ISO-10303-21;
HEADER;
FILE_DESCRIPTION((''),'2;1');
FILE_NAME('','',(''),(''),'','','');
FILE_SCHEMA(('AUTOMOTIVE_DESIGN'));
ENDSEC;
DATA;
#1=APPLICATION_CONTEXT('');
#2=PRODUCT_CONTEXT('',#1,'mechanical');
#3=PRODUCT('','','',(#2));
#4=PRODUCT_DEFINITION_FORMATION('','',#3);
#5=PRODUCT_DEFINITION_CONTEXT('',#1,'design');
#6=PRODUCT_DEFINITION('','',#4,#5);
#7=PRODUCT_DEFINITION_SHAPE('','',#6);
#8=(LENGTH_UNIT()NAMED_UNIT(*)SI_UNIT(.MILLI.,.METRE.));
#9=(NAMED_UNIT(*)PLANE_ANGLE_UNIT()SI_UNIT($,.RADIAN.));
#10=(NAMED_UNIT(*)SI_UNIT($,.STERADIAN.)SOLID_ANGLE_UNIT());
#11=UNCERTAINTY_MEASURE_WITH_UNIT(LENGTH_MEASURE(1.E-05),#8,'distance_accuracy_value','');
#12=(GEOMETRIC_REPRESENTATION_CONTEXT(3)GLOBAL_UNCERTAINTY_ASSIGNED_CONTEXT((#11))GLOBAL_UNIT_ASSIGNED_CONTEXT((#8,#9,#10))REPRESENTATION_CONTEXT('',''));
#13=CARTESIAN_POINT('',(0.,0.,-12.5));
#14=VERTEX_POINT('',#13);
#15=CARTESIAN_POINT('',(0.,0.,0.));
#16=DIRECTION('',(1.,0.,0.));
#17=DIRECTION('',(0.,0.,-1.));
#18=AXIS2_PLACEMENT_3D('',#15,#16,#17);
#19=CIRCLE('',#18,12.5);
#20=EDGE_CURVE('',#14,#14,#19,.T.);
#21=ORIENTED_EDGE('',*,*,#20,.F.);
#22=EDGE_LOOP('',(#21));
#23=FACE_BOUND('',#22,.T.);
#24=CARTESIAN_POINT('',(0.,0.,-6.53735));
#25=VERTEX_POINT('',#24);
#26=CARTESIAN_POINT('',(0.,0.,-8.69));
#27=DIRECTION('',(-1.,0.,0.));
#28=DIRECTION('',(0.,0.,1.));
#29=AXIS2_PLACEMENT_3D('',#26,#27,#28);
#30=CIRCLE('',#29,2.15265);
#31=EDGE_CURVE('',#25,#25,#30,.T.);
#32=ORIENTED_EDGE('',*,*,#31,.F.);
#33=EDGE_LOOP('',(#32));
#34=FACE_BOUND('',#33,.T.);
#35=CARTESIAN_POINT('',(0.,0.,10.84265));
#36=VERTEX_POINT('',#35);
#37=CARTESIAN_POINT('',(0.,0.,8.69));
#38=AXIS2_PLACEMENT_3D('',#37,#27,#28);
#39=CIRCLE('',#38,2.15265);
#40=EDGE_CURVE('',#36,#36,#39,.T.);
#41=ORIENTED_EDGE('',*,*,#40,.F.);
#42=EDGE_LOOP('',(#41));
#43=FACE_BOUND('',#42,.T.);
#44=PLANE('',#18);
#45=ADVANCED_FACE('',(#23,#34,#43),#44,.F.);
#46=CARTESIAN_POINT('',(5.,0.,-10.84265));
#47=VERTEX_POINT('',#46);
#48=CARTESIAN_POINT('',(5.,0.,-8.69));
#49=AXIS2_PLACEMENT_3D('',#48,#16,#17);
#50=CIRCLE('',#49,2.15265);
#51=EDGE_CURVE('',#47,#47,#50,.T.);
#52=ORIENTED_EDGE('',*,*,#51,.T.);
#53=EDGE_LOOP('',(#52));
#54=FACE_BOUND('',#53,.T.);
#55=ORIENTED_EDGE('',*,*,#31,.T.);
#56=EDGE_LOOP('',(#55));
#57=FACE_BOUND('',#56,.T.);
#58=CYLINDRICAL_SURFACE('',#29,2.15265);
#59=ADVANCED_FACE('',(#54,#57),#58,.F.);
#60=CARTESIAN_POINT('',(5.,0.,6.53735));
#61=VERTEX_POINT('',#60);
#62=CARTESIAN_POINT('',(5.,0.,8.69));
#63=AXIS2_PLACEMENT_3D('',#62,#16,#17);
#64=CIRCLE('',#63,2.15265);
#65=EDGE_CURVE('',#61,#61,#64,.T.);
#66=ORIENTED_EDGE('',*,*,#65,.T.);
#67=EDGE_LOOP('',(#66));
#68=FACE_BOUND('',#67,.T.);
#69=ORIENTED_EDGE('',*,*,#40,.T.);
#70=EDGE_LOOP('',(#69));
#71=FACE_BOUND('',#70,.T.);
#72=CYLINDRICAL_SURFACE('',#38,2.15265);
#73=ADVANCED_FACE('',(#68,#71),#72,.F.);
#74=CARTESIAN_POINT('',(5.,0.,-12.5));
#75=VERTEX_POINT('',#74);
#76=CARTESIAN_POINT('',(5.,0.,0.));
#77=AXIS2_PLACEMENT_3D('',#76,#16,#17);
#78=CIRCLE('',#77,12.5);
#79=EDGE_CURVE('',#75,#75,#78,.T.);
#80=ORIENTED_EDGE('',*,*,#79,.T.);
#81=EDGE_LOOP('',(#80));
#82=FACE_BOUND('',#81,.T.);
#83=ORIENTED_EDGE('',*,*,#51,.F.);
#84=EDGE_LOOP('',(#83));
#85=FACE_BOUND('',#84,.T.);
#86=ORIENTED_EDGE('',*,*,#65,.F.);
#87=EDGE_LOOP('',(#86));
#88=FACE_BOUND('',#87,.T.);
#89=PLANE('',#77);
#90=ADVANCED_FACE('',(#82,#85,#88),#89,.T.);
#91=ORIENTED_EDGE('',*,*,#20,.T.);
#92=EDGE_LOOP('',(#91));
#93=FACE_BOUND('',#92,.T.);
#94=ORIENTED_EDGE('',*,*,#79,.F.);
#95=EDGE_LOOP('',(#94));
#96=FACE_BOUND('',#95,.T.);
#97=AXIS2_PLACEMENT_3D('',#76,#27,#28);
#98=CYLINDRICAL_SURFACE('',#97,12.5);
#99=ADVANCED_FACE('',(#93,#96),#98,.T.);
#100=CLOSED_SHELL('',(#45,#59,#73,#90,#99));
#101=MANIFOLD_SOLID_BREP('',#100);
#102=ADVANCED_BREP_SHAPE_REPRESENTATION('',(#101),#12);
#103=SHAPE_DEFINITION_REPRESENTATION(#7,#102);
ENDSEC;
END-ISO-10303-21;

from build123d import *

# Parameters (mm, degrees)
SKETCH1_R                        = 12.5
BOSS_EXTRUDE1_DEPTH              = 5
F_18_0_1695_DIAMETER_HOLE2_D     = 4.3053
F_18_0_1695_DIAMETER_HOLE2_DEPTH = 10.1092
F_18_0_1695_DIAMETER_HOLE2_TIP   = 1.293442612


with BuildPart() as part:
    # Sketch1 → Boss-Extrude1 (new body)
    with BuildSketch(Plane(origin=(0, 0, 0), x_dir=(0, 0, -1), z_dir=(1, 0, 0))):
        Circle(SKETCH1_R)
    extrude(amount=BOSS_EXTRUDE1_DEPTH)

    # #18 (0.1695) Diameter Hole2
    with Locations(Plane.ZY):
        with Locations((-8.69, 0), (8.69, 0)):
            Hole(F_18_0_1695_DIAMETER_HOLE2_D / 2, depth=F_18_0_1695_DIAMETER_HOLE2_DEPTH)
            with Locations((0, 0, -(F_18_0_1695_DIAMETER_HOLE2_DEPTH + F_18_0_1695_DIAMETER_HOLE2_TIP / 2))):  # 118° drill point
                Cone(0, F_18_0_1695_DIAMETER_HOLE2_D / 2, F_18_0_1695_DIAMETER_HOLE2_TIP, mode=Mode.SUBTRACT)


solid = part.part
